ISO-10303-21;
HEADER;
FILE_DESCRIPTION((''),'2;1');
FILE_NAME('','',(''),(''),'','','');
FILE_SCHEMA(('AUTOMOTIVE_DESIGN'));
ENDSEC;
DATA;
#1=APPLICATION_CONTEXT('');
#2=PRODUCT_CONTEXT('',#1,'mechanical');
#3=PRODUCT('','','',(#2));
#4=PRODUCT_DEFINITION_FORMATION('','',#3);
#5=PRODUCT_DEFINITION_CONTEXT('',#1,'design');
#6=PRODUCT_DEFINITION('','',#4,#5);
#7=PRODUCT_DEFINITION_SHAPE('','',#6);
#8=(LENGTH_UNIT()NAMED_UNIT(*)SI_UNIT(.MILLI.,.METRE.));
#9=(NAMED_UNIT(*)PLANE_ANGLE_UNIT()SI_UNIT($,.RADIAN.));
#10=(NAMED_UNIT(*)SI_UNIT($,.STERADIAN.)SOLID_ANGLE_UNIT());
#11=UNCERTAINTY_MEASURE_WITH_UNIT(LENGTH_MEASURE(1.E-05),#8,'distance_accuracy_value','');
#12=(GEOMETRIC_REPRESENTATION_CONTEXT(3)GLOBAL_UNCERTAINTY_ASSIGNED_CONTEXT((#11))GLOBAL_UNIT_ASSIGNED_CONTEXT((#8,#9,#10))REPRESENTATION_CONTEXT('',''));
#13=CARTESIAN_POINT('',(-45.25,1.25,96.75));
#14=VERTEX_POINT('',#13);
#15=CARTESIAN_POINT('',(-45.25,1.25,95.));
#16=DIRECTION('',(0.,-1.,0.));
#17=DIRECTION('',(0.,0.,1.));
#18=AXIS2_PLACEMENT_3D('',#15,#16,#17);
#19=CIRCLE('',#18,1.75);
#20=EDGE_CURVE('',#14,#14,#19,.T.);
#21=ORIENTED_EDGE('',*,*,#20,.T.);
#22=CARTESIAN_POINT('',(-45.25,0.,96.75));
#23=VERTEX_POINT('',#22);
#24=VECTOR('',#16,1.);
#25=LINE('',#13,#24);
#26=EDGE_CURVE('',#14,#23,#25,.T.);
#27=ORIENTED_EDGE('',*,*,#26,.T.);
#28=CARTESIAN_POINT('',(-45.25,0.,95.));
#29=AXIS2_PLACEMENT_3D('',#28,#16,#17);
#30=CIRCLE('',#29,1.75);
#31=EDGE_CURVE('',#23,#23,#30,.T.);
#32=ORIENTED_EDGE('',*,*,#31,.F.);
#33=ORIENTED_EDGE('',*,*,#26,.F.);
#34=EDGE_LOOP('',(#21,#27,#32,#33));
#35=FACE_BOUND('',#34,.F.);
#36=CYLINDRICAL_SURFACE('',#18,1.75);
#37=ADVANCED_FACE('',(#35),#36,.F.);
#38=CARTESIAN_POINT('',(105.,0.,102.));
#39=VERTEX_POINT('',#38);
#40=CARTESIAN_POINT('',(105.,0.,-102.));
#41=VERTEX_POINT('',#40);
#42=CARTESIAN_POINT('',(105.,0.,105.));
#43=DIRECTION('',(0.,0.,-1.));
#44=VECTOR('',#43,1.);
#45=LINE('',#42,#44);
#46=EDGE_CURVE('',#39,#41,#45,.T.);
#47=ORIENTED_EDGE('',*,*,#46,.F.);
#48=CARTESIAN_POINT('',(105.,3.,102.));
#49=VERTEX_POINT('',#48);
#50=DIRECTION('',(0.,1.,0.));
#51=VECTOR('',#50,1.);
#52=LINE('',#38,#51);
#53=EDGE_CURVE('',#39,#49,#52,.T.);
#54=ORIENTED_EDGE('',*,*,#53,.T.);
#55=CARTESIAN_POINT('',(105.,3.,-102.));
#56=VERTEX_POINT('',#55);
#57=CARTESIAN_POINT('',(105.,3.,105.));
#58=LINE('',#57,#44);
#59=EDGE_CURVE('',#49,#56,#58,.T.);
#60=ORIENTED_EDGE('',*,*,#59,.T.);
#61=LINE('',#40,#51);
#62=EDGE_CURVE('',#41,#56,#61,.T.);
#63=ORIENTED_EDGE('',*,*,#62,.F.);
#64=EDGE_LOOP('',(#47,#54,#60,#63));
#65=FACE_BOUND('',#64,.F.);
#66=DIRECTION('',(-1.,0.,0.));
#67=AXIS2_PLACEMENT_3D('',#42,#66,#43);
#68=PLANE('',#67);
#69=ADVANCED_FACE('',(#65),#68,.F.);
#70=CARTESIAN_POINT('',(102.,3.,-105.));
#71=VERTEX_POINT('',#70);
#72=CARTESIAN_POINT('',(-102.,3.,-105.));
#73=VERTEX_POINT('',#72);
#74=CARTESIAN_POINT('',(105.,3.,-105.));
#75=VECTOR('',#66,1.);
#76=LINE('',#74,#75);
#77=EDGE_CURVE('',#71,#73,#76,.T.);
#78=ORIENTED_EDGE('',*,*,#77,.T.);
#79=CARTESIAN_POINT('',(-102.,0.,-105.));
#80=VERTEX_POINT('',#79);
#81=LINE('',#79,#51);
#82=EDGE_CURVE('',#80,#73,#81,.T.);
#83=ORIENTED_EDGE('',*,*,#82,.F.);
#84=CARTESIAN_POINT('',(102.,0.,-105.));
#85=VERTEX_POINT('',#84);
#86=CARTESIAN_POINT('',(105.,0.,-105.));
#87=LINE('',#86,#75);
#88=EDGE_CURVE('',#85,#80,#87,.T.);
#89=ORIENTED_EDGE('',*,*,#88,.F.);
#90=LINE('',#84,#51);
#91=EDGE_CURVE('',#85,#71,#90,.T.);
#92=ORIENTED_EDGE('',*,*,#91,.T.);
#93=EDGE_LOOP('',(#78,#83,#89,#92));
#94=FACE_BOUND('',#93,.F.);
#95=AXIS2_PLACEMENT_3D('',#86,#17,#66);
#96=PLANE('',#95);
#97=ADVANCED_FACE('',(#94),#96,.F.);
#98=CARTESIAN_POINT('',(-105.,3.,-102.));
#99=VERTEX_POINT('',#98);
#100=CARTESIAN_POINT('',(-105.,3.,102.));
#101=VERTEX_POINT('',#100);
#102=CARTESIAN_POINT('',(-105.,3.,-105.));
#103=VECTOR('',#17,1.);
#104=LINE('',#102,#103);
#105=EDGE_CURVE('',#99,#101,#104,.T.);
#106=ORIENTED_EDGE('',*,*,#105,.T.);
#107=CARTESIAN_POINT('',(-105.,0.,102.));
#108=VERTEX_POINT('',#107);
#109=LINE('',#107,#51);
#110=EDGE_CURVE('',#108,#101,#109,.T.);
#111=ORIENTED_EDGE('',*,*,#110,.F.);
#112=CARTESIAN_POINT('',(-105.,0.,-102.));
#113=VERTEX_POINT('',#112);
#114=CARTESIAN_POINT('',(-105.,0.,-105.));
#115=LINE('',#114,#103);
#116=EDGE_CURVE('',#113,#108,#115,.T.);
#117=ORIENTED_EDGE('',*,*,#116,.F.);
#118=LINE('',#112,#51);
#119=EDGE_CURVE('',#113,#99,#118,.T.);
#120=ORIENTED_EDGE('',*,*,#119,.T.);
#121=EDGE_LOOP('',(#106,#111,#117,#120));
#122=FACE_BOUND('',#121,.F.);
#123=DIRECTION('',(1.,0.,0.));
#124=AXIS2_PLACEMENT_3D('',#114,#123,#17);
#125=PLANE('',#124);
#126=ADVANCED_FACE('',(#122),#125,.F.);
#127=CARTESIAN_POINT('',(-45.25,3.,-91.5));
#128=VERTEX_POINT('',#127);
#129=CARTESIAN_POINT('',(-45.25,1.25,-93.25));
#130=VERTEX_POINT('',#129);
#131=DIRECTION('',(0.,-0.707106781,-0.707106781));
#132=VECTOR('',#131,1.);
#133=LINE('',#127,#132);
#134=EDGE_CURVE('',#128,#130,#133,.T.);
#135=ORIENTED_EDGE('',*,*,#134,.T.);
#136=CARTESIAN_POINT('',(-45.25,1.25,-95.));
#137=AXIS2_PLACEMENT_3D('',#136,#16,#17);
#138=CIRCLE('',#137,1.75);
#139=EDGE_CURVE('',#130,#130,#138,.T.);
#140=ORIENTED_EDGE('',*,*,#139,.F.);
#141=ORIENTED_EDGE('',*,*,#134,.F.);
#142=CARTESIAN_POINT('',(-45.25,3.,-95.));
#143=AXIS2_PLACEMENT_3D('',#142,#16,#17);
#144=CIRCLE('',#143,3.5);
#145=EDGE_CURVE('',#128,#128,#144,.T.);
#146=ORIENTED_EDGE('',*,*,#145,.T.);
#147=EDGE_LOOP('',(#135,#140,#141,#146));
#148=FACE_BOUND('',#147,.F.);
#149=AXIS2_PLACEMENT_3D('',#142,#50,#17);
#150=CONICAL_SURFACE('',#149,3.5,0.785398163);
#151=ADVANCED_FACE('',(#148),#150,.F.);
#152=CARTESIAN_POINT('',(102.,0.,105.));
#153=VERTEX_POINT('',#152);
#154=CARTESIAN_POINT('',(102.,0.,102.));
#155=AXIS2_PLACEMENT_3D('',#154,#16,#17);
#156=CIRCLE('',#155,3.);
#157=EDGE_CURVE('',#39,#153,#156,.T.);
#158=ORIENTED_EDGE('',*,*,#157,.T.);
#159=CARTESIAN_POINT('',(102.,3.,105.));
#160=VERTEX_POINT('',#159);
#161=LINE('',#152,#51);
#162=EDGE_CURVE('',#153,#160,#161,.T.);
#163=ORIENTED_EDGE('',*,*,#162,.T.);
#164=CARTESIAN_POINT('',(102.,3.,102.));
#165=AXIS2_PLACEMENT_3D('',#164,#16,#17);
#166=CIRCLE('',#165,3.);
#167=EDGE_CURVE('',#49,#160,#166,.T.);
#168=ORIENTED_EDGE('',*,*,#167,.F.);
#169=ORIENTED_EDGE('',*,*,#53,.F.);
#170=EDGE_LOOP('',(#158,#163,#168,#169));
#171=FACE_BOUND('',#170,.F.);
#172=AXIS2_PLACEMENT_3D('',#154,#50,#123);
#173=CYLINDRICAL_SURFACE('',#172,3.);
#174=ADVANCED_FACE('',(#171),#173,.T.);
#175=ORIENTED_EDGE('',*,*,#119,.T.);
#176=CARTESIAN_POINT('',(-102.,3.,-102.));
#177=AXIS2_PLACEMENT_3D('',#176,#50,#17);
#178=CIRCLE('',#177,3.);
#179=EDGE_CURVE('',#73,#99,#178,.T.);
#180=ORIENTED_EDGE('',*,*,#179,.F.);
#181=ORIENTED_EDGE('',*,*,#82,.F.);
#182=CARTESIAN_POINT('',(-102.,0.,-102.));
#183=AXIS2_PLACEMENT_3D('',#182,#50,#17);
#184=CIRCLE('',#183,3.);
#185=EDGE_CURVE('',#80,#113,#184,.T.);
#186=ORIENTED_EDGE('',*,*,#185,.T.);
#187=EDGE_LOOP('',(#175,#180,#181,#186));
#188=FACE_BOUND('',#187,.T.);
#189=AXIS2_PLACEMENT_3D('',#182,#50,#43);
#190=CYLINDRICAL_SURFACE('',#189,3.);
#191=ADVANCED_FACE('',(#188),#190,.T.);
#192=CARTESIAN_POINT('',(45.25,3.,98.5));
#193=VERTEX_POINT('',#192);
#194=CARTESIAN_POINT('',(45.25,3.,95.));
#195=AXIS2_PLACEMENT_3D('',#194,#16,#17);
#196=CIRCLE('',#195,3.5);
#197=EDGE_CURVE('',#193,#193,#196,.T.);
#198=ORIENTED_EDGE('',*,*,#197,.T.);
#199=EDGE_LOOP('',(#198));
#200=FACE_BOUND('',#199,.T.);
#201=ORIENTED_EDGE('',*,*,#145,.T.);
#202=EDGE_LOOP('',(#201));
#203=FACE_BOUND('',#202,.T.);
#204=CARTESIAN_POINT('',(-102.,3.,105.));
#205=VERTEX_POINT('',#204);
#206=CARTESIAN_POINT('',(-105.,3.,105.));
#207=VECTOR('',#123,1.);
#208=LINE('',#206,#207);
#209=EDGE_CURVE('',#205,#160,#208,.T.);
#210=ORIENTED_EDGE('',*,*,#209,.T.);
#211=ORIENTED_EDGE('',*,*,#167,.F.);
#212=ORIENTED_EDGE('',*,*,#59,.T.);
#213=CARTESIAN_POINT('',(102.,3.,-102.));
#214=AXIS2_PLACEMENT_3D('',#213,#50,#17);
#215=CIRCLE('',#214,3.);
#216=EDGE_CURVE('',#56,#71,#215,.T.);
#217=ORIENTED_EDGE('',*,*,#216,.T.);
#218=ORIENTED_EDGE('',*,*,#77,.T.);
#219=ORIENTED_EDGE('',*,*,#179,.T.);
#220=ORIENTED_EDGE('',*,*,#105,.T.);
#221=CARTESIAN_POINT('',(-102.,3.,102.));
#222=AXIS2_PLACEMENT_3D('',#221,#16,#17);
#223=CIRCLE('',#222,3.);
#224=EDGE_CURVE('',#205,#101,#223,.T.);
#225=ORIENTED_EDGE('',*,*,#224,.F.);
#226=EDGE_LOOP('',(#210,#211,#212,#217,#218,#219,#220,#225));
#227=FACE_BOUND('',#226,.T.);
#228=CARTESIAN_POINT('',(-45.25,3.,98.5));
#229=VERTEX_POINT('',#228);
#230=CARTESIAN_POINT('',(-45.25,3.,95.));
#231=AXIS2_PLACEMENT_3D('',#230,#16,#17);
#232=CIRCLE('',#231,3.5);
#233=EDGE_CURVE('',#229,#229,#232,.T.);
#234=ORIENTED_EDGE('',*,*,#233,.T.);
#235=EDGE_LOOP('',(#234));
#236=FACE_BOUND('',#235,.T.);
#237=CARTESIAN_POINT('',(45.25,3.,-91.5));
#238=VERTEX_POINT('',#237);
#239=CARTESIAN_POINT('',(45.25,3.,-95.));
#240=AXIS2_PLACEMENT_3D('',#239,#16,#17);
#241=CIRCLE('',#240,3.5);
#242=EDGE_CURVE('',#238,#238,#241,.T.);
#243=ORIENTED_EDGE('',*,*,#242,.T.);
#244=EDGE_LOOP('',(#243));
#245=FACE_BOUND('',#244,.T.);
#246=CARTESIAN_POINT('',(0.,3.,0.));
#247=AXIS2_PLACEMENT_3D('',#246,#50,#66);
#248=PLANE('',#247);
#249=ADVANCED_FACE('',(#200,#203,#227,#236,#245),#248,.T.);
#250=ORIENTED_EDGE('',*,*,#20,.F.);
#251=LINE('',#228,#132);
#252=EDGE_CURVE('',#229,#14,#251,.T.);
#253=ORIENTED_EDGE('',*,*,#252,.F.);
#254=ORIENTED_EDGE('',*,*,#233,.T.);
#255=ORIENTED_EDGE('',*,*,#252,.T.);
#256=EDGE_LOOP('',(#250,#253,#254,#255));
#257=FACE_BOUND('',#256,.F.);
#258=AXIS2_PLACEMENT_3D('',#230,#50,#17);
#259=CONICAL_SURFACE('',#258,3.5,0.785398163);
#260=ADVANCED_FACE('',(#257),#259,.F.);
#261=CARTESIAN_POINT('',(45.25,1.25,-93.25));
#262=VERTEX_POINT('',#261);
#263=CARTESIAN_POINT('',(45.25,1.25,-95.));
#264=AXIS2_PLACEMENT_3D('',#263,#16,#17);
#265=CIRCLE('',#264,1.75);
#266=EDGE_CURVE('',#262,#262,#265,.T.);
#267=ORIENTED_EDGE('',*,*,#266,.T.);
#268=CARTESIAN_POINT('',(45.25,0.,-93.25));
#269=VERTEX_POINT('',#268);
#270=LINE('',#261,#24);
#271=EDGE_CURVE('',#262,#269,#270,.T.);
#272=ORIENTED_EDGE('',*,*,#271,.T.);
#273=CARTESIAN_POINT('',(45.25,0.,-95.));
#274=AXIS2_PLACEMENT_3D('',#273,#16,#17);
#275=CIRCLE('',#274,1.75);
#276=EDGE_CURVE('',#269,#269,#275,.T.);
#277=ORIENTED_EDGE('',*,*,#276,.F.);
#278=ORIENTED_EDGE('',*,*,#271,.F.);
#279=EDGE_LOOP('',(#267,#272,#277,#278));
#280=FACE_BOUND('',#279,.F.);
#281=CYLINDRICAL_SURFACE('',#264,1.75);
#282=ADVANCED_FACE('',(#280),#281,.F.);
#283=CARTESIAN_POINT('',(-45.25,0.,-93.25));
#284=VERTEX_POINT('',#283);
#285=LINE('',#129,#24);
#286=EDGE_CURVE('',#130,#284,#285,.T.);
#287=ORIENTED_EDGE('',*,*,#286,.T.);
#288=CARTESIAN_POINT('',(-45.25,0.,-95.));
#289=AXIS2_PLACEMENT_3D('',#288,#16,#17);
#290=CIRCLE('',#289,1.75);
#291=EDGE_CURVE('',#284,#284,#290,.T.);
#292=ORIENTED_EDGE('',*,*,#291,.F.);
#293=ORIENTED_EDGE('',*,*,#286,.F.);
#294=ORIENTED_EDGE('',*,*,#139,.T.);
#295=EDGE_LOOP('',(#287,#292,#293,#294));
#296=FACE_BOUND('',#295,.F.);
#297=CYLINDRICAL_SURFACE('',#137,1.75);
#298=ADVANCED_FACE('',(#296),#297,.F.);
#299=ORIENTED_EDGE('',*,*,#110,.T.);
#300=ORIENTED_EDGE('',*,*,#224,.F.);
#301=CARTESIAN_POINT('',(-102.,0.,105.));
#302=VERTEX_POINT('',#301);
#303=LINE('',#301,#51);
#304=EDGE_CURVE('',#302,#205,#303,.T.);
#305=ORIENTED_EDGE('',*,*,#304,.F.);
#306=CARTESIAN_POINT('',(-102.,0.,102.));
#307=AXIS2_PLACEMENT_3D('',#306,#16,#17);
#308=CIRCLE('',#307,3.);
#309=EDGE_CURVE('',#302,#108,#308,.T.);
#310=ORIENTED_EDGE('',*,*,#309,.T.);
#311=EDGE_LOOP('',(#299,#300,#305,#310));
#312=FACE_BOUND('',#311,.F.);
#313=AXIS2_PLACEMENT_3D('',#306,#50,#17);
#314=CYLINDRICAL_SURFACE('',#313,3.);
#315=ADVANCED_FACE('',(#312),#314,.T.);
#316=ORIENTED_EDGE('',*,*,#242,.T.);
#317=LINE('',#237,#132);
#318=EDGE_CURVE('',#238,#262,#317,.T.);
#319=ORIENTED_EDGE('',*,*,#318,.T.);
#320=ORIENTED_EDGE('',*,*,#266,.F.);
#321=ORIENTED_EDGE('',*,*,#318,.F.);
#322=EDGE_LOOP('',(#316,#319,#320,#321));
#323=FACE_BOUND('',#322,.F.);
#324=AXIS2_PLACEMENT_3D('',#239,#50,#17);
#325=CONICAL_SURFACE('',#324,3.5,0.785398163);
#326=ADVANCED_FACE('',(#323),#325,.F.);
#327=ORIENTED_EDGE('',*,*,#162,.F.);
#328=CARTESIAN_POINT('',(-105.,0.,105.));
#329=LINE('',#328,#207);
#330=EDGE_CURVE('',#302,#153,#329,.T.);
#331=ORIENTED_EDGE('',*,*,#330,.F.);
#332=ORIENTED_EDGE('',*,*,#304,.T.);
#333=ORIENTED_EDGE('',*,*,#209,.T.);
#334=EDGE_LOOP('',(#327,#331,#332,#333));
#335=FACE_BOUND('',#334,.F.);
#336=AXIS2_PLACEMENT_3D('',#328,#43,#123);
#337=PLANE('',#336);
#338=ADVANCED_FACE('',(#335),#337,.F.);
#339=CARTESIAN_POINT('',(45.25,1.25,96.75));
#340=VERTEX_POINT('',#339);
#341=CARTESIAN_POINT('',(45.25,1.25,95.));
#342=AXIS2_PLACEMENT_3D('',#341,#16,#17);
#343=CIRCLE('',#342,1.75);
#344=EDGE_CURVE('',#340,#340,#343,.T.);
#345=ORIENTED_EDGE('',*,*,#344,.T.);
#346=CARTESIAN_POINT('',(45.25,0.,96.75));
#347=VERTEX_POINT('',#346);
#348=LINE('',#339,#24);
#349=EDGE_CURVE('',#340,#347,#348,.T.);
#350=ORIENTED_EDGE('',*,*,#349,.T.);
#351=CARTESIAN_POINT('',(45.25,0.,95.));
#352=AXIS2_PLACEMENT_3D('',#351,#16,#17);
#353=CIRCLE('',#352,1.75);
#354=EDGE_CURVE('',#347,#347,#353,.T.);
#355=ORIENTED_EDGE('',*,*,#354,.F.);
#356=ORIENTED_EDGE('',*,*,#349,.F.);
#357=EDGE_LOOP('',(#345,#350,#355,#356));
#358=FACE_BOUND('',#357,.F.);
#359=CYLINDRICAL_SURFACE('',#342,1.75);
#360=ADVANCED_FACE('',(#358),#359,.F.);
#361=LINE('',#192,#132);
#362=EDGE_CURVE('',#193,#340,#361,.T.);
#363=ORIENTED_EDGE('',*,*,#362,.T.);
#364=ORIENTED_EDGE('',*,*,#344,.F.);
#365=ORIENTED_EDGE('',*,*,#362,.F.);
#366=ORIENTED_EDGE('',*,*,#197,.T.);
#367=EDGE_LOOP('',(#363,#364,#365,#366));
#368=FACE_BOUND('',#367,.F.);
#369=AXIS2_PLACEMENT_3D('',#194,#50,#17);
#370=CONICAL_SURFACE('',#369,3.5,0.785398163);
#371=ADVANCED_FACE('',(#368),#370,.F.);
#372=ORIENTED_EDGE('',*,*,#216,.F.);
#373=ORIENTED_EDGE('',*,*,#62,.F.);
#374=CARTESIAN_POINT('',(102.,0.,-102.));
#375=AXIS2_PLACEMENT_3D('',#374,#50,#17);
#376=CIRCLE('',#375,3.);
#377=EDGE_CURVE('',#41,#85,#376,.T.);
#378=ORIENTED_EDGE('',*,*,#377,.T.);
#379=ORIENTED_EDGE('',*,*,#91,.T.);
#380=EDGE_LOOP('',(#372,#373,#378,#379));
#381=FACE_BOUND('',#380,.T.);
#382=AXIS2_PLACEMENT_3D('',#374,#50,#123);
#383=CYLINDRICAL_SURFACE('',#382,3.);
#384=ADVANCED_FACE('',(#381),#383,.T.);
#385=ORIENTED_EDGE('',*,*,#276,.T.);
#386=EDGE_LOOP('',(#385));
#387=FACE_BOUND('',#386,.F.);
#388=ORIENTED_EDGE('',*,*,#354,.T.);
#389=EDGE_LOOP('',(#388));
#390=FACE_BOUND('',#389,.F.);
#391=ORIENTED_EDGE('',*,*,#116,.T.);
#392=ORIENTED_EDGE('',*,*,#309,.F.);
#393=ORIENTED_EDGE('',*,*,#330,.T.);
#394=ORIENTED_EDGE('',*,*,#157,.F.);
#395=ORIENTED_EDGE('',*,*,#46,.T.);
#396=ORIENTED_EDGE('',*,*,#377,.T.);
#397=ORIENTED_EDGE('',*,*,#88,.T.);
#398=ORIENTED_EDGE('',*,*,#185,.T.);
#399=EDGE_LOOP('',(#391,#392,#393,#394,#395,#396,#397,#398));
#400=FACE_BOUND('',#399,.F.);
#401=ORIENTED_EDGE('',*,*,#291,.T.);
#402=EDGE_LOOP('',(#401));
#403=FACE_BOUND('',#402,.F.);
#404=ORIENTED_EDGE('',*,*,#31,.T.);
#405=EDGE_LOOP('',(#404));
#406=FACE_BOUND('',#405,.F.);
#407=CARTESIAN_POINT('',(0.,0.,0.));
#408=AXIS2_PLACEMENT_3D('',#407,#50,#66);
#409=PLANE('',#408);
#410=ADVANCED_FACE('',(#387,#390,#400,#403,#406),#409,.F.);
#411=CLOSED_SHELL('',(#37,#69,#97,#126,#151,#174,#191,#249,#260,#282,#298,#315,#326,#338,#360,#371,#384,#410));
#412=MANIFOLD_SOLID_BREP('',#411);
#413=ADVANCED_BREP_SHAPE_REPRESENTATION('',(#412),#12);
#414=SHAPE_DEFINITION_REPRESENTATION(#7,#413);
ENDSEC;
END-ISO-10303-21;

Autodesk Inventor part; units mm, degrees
ref_plane "YZ Plane" through (0, 0, 0) normal (1, 0, 0) x (0, 1, 0)
ref_plane "XZ Plane" through (0, 0, 0) normal (0, 1, 0) x (-1, 0, 0)
ref_plane "XY Plane" through (0, 0, 0) normal (0, 0, 1) x (1, 0, 0)
sketch "Sketch1" plane through (0, 0, 0) normal (0, 1, 0) x (-1, 0, 0)
  line L0 (-105, -105) -> (105, -105)
  line L1 (105, -105) -> (105, 105)
  line L2 (105, 105) -> (-105, 105)
  line L3 (-105, 105) -> (-105, -105)
  line L4 (-105, -105) -> (105, 105) construction
  line L5 (105, -105) -> (-105, 105) construction
  point P0 (0, 0)
  dimension "d0" = 210
extrude "Extrusion1" add sketch "Sketch1" along normal blind 3
sketch "Sketch2" plane through (0, 3, 0) normal (0, 1, 0) x (1, 0, 0)
  line L0 (45.25, 95) -> (-45.25, 95) construction
  line L1 (-45.25, 95) -> (-45.25, -95) construction
  line L2 (-45.25, -95) -> (45.25, -95) construction
  line L3 (45.25, -95) -> (45.25, 95) construction
  line L4 (45.25, 95) -> (-45.25, -95) construction
  line L5 (-45.25, 95) -> (45.25, -95) construction
  point P0 (0, 0)
  dimension "d3" = 190
  dimension "d4" = 90.5
hole "Hole1" at (45.25, 3, 95) at (45.25, 3, -95) at (-45.25, 3, -95) at (-45.25, 3, 95) direction (0, -1, 0) diameter 3.5 end through all countersink diameter 7 countersink angle 90
fillet "Fillet1" radius 3 4 edges at (-105, 1.5, 105) (105, 1.5, 105) (105, 1.5, -105) (-105, 1.5, -105)
properties part number "Stock Build Plate"
